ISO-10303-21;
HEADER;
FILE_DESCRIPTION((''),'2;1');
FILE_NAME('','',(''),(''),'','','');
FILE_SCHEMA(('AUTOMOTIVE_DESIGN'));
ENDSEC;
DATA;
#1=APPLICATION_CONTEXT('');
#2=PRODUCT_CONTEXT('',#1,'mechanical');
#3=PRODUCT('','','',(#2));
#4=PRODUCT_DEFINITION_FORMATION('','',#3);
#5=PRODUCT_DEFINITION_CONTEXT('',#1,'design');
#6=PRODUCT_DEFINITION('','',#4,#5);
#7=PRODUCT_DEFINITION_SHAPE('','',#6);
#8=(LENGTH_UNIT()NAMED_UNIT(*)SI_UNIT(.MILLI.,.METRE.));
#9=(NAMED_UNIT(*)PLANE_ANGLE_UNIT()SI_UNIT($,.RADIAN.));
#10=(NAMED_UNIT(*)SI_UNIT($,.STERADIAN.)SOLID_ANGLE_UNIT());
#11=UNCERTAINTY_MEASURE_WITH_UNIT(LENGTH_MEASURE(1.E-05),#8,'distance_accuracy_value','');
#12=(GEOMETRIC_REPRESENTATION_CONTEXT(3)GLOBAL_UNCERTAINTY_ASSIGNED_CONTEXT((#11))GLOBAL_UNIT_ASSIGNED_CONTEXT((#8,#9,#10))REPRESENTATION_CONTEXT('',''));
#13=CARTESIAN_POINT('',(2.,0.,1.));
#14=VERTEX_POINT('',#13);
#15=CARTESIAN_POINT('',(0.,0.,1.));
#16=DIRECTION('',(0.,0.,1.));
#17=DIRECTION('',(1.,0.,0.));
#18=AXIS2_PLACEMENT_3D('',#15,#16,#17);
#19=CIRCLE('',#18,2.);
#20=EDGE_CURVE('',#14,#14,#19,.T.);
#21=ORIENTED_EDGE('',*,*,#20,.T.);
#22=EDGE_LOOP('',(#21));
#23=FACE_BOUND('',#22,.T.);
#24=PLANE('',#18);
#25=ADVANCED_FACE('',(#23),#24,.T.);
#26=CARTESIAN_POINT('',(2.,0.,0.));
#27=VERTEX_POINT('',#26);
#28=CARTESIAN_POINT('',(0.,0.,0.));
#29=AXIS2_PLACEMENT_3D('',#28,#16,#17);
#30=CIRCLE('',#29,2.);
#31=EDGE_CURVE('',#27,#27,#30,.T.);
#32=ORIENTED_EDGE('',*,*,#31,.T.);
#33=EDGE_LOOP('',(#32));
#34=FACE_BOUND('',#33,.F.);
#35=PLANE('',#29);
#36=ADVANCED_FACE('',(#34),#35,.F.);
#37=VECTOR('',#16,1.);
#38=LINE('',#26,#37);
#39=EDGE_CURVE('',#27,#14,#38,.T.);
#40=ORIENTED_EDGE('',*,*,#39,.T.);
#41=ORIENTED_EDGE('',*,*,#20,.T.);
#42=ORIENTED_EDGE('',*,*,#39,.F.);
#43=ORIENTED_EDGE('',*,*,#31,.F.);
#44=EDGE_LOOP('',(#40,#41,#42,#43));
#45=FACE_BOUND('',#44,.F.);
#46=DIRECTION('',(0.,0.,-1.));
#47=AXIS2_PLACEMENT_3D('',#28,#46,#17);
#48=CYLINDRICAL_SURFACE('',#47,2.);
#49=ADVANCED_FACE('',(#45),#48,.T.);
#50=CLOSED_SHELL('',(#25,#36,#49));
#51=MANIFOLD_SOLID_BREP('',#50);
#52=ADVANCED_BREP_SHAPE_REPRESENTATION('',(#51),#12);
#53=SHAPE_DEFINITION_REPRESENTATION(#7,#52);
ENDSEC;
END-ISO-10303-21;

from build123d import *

# Parameters (mm, degrees)
SKETCH_R  = 2
PAD_DEPTH = 1


with BuildPart() as part:
    # Sketch → Pad (new body)
    with BuildSketch(Plane.XY):
        Circle(SKETCH_R)
    extrude(amount=PAD_DEPTH)


solid = part.part
